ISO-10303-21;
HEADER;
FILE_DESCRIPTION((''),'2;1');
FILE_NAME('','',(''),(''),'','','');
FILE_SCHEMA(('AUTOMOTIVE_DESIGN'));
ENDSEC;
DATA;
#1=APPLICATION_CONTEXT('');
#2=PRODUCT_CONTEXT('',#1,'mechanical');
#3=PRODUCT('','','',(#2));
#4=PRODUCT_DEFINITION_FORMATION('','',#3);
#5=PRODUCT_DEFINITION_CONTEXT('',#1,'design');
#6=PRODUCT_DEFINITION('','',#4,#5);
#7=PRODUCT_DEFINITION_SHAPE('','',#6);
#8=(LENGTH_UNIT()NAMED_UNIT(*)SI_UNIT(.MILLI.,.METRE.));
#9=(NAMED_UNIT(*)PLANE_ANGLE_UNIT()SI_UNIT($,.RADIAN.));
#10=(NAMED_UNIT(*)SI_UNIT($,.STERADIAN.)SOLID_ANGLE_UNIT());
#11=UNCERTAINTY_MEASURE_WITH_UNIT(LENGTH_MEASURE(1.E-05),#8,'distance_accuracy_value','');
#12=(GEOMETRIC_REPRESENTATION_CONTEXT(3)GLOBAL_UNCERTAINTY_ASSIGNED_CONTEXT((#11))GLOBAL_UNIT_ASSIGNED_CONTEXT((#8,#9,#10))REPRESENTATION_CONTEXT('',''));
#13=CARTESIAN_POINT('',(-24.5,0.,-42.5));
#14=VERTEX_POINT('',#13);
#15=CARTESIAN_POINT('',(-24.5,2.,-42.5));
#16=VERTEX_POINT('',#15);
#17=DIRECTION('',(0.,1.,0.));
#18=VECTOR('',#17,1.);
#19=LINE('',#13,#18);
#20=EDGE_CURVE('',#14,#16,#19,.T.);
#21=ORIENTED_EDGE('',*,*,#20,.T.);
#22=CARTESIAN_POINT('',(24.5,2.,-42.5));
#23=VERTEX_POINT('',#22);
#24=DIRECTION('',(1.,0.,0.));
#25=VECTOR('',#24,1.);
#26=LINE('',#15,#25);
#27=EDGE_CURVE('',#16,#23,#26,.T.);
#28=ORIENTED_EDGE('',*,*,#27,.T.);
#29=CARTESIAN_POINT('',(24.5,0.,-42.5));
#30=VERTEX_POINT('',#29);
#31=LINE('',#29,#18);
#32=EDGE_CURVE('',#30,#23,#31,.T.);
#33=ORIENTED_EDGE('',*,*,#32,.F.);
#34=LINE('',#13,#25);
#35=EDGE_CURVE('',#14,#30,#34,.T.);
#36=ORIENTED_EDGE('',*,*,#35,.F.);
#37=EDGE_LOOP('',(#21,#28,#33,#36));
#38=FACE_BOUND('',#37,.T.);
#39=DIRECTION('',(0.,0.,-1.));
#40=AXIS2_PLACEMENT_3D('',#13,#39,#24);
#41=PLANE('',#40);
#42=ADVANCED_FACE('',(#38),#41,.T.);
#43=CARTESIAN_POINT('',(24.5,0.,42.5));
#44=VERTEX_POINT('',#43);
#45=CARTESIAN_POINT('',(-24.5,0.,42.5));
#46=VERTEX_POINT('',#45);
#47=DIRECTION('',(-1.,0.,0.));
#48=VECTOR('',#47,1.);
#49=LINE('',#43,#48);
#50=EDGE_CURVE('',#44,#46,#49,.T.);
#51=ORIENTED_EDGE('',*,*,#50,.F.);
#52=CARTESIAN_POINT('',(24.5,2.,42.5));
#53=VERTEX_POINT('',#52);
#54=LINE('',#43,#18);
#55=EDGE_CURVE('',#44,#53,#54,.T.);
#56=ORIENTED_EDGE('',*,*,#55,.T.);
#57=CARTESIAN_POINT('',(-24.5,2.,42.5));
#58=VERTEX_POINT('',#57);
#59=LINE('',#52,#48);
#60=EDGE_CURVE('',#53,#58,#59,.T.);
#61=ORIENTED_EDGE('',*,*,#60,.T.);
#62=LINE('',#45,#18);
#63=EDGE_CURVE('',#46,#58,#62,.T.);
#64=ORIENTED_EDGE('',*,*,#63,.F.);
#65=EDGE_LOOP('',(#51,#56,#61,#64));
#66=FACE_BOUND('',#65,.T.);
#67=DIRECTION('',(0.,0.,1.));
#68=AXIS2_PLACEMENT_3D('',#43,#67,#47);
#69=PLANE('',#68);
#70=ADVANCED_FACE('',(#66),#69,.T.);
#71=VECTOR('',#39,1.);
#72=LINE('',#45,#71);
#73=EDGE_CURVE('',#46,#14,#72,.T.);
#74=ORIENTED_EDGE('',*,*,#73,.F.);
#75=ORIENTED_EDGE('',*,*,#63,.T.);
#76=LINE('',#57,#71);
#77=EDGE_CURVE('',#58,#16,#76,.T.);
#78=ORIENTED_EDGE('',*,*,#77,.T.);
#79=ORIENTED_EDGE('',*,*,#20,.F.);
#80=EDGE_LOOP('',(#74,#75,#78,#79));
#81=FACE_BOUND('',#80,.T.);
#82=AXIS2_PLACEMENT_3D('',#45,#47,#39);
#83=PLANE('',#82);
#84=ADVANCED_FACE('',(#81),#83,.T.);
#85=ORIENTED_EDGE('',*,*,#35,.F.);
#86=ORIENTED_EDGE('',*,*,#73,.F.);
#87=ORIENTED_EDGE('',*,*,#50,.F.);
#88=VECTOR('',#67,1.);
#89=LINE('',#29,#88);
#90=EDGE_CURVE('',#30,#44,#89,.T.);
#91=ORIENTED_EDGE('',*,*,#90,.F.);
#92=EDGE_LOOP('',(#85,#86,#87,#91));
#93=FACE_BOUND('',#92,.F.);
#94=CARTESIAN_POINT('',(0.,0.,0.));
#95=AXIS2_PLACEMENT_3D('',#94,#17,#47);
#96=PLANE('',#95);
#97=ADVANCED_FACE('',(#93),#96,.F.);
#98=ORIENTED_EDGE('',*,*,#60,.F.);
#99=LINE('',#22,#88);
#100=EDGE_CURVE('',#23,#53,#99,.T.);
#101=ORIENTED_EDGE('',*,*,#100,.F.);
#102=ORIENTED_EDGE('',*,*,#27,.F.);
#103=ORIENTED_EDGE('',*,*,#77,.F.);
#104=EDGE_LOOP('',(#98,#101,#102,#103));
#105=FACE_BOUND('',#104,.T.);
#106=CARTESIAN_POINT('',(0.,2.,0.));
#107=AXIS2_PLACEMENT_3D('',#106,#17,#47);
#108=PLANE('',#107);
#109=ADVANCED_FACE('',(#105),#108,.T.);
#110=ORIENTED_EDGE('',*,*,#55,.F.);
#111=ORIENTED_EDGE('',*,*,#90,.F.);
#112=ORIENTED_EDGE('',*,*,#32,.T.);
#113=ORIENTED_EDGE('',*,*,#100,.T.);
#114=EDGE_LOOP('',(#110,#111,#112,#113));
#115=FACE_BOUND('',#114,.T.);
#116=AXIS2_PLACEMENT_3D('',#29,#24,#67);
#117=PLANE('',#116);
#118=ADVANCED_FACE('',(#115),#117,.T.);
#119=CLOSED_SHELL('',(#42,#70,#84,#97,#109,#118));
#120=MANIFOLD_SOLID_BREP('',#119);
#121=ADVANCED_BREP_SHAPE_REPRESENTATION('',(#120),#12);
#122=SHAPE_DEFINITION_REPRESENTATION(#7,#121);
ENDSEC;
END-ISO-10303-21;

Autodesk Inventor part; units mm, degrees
ref_plane "YZ Plane" through (0, 0, 0) normal (1, 0, 0) x (0, 1, 0)
ref_plane "XZ Plane" through (0, 0, 0) normal (0, 1, 0) x (-1, 0, 0)
ref_plane "XY Plane" through (0, 0, 0) normal (0, 0, 1) x (1, 0, 0)
sketch "Sketch1" plane through (0, 0, 0) normal (0, 1, 0) x (-1, 0, 0)
  line L0 (-24.5, 42.5) -> (24.5, 42.5)
  line L1 (24.5, 42.5) -> (24.5, -42.5)
  line L2 (24.5, -42.5) -> (-24.5, -42.5)
  line L3 (-24.5, -42.5) -> (-24.5, 42.5)
  line L4 (-24.5, 42.5) -> (24.5, -42.5) construction
  line L5 (24.5, 42.5) -> (-24.5, -42.5) construction
  point P0 (0, 0)
  dimension "d0" = 49
  dimension "d1" = 85
extrude "Extrusion1" add sketch "Sketch1" along normal blind 2
properties part number "RaspberryPi"
